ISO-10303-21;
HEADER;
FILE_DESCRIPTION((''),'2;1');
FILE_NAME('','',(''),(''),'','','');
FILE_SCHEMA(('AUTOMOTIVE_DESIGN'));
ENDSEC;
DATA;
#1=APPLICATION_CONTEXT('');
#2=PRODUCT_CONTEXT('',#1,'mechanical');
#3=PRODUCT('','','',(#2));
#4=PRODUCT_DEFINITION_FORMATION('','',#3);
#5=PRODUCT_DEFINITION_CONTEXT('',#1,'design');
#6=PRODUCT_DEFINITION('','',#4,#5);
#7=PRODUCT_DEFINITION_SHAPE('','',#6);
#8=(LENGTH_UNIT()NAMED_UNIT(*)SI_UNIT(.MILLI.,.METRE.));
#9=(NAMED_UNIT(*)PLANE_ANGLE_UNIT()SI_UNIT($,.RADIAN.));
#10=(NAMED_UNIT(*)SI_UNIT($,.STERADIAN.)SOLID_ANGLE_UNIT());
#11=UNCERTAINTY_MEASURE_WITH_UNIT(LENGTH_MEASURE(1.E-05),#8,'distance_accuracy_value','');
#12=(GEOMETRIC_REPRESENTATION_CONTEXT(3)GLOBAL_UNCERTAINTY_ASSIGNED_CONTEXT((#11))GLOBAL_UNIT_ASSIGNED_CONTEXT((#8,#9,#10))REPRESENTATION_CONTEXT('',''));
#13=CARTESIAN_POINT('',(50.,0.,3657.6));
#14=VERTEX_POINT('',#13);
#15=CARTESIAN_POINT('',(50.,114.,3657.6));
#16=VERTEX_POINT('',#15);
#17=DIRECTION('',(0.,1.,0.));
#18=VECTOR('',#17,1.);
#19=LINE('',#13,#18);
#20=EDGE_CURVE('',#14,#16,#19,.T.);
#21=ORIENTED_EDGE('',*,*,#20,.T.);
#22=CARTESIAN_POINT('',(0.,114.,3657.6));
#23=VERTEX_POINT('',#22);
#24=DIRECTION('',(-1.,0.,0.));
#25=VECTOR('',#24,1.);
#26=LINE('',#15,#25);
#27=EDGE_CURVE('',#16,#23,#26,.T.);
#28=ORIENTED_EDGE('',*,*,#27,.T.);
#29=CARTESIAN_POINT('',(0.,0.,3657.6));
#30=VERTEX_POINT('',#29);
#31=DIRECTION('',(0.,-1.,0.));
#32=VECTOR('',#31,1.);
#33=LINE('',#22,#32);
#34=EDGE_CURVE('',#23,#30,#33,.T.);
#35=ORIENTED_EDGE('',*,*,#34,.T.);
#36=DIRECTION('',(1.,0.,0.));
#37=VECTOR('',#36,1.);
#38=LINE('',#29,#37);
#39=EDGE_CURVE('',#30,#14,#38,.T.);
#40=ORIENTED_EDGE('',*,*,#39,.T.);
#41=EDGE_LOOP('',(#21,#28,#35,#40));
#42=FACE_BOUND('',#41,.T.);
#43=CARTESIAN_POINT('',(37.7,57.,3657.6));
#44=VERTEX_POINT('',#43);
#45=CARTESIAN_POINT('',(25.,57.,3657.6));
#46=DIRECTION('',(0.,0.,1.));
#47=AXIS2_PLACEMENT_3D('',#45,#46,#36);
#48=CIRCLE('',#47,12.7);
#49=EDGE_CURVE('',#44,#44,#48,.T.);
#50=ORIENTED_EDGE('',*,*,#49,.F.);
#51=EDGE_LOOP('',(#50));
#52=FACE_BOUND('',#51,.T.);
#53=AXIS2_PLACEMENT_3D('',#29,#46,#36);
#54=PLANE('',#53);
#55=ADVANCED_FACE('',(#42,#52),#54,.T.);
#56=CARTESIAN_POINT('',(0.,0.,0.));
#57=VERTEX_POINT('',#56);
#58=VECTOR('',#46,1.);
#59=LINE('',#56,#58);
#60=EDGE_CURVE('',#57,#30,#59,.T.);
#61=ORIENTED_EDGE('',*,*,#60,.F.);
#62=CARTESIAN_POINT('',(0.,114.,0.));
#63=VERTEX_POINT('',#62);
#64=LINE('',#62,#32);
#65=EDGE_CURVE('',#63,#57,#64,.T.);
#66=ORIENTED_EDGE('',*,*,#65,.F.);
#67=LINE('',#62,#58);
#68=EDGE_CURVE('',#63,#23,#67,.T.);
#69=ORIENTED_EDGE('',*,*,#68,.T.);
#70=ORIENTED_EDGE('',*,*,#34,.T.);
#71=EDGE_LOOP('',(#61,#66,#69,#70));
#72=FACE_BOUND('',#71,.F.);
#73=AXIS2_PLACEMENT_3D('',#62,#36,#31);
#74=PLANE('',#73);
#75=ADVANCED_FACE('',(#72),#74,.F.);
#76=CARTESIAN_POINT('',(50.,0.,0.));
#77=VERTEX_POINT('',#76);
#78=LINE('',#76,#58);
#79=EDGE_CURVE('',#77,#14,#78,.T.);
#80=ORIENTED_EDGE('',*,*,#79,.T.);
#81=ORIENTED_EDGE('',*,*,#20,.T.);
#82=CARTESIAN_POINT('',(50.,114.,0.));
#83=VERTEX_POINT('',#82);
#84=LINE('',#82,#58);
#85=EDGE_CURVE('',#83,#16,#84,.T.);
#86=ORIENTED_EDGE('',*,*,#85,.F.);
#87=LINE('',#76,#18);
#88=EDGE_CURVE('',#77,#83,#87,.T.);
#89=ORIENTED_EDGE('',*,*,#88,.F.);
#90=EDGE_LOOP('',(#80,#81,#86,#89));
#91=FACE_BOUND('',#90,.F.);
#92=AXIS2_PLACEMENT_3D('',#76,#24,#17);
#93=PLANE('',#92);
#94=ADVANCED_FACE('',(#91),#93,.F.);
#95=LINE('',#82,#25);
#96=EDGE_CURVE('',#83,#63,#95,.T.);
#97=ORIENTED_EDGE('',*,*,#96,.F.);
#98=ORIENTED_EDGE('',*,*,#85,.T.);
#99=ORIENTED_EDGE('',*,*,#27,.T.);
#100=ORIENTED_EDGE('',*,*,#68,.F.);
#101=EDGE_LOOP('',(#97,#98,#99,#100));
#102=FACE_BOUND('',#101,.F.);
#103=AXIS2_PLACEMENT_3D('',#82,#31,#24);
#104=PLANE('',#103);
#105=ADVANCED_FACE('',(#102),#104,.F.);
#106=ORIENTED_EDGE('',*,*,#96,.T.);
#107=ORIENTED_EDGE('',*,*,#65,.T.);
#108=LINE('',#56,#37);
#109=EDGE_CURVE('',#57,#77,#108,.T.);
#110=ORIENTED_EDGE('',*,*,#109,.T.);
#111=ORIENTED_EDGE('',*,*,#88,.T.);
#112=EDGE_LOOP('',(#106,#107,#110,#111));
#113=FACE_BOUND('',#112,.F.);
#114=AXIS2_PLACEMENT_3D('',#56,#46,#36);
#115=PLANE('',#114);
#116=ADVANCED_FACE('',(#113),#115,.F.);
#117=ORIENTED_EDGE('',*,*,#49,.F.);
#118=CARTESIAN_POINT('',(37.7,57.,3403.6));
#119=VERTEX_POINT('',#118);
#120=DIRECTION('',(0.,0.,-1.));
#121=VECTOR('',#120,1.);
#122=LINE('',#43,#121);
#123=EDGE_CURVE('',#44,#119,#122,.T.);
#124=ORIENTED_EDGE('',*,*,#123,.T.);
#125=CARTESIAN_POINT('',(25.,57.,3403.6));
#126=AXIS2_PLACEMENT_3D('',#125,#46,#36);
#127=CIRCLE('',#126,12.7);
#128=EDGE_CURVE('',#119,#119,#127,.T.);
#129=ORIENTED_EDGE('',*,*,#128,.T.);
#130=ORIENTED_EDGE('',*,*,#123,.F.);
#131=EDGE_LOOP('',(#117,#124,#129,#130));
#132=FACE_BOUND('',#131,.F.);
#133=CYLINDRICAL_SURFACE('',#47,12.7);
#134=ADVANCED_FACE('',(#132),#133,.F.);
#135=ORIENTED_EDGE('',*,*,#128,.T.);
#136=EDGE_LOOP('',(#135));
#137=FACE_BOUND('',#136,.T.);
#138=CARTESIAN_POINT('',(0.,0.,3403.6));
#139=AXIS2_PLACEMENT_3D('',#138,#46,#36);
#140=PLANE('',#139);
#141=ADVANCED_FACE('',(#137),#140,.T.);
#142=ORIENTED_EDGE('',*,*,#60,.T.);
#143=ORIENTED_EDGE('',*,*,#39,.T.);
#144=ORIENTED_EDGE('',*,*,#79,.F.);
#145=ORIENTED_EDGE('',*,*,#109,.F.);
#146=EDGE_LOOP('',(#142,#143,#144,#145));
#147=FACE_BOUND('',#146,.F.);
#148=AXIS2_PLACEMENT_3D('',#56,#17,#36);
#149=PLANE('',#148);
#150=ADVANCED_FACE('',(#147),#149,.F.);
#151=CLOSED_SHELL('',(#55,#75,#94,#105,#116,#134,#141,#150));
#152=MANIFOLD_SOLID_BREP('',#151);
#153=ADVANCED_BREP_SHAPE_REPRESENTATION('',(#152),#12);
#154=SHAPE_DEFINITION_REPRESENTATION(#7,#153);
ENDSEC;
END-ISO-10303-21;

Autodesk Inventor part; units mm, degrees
ref_plane "YZ Plane" through (0, 0, 0) normal (1, 0, 0) x (0, 1, 0)
ref_plane "XZ Plane" through (0, 0, 0) normal (0, 1, 0) x (-1, 0, 0)
ref_plane "XY Plane" through (0, 0, 0) normal (0, 0, 1) x (1, 0, 0)
sketch "Sketch1" plane through (0, 0, 0) normal (0, 0, 1) x (1, 0, 0)
  line L0 (0, 0) -> (50, 0)
  line L1 (50, 0) -> (50, 114)
  line L2 (50, 114) -> (0, 114)
  line L3 (0, 114) -> (0, 0)
  dimension "d0" = 50
  dimension "d1" = 114
extrude "Extrusion1" add sketch "Sketch1" along normal blind 3657.6
sketch "Sketch4" plane through (0, 0, 3657.6) normal (0, 0, 1) x (1, 0, 0)
  circle A0 centre (25, 57) radius 12.7
  line L0 (0, 0) -> (50, 0) projected
  line L1 (50, 0) -> (50, 114) projected
  line L2 (50, 114) -> (0, 114) projected
  line L3 (0, 114) -> (0, 0) projected
  line L4 (25, 114) -> (25, 0) construction
  line L5 (0, 57) -> (50, 57) construction
  point P0 (25, 57)
  dimension "d16" = 25.4
extrude "Extrusion4" cut sketch "Sketch4" against normal blind 254 contours A0
properties part number "2p3post" material "Wood (Walnut)"
